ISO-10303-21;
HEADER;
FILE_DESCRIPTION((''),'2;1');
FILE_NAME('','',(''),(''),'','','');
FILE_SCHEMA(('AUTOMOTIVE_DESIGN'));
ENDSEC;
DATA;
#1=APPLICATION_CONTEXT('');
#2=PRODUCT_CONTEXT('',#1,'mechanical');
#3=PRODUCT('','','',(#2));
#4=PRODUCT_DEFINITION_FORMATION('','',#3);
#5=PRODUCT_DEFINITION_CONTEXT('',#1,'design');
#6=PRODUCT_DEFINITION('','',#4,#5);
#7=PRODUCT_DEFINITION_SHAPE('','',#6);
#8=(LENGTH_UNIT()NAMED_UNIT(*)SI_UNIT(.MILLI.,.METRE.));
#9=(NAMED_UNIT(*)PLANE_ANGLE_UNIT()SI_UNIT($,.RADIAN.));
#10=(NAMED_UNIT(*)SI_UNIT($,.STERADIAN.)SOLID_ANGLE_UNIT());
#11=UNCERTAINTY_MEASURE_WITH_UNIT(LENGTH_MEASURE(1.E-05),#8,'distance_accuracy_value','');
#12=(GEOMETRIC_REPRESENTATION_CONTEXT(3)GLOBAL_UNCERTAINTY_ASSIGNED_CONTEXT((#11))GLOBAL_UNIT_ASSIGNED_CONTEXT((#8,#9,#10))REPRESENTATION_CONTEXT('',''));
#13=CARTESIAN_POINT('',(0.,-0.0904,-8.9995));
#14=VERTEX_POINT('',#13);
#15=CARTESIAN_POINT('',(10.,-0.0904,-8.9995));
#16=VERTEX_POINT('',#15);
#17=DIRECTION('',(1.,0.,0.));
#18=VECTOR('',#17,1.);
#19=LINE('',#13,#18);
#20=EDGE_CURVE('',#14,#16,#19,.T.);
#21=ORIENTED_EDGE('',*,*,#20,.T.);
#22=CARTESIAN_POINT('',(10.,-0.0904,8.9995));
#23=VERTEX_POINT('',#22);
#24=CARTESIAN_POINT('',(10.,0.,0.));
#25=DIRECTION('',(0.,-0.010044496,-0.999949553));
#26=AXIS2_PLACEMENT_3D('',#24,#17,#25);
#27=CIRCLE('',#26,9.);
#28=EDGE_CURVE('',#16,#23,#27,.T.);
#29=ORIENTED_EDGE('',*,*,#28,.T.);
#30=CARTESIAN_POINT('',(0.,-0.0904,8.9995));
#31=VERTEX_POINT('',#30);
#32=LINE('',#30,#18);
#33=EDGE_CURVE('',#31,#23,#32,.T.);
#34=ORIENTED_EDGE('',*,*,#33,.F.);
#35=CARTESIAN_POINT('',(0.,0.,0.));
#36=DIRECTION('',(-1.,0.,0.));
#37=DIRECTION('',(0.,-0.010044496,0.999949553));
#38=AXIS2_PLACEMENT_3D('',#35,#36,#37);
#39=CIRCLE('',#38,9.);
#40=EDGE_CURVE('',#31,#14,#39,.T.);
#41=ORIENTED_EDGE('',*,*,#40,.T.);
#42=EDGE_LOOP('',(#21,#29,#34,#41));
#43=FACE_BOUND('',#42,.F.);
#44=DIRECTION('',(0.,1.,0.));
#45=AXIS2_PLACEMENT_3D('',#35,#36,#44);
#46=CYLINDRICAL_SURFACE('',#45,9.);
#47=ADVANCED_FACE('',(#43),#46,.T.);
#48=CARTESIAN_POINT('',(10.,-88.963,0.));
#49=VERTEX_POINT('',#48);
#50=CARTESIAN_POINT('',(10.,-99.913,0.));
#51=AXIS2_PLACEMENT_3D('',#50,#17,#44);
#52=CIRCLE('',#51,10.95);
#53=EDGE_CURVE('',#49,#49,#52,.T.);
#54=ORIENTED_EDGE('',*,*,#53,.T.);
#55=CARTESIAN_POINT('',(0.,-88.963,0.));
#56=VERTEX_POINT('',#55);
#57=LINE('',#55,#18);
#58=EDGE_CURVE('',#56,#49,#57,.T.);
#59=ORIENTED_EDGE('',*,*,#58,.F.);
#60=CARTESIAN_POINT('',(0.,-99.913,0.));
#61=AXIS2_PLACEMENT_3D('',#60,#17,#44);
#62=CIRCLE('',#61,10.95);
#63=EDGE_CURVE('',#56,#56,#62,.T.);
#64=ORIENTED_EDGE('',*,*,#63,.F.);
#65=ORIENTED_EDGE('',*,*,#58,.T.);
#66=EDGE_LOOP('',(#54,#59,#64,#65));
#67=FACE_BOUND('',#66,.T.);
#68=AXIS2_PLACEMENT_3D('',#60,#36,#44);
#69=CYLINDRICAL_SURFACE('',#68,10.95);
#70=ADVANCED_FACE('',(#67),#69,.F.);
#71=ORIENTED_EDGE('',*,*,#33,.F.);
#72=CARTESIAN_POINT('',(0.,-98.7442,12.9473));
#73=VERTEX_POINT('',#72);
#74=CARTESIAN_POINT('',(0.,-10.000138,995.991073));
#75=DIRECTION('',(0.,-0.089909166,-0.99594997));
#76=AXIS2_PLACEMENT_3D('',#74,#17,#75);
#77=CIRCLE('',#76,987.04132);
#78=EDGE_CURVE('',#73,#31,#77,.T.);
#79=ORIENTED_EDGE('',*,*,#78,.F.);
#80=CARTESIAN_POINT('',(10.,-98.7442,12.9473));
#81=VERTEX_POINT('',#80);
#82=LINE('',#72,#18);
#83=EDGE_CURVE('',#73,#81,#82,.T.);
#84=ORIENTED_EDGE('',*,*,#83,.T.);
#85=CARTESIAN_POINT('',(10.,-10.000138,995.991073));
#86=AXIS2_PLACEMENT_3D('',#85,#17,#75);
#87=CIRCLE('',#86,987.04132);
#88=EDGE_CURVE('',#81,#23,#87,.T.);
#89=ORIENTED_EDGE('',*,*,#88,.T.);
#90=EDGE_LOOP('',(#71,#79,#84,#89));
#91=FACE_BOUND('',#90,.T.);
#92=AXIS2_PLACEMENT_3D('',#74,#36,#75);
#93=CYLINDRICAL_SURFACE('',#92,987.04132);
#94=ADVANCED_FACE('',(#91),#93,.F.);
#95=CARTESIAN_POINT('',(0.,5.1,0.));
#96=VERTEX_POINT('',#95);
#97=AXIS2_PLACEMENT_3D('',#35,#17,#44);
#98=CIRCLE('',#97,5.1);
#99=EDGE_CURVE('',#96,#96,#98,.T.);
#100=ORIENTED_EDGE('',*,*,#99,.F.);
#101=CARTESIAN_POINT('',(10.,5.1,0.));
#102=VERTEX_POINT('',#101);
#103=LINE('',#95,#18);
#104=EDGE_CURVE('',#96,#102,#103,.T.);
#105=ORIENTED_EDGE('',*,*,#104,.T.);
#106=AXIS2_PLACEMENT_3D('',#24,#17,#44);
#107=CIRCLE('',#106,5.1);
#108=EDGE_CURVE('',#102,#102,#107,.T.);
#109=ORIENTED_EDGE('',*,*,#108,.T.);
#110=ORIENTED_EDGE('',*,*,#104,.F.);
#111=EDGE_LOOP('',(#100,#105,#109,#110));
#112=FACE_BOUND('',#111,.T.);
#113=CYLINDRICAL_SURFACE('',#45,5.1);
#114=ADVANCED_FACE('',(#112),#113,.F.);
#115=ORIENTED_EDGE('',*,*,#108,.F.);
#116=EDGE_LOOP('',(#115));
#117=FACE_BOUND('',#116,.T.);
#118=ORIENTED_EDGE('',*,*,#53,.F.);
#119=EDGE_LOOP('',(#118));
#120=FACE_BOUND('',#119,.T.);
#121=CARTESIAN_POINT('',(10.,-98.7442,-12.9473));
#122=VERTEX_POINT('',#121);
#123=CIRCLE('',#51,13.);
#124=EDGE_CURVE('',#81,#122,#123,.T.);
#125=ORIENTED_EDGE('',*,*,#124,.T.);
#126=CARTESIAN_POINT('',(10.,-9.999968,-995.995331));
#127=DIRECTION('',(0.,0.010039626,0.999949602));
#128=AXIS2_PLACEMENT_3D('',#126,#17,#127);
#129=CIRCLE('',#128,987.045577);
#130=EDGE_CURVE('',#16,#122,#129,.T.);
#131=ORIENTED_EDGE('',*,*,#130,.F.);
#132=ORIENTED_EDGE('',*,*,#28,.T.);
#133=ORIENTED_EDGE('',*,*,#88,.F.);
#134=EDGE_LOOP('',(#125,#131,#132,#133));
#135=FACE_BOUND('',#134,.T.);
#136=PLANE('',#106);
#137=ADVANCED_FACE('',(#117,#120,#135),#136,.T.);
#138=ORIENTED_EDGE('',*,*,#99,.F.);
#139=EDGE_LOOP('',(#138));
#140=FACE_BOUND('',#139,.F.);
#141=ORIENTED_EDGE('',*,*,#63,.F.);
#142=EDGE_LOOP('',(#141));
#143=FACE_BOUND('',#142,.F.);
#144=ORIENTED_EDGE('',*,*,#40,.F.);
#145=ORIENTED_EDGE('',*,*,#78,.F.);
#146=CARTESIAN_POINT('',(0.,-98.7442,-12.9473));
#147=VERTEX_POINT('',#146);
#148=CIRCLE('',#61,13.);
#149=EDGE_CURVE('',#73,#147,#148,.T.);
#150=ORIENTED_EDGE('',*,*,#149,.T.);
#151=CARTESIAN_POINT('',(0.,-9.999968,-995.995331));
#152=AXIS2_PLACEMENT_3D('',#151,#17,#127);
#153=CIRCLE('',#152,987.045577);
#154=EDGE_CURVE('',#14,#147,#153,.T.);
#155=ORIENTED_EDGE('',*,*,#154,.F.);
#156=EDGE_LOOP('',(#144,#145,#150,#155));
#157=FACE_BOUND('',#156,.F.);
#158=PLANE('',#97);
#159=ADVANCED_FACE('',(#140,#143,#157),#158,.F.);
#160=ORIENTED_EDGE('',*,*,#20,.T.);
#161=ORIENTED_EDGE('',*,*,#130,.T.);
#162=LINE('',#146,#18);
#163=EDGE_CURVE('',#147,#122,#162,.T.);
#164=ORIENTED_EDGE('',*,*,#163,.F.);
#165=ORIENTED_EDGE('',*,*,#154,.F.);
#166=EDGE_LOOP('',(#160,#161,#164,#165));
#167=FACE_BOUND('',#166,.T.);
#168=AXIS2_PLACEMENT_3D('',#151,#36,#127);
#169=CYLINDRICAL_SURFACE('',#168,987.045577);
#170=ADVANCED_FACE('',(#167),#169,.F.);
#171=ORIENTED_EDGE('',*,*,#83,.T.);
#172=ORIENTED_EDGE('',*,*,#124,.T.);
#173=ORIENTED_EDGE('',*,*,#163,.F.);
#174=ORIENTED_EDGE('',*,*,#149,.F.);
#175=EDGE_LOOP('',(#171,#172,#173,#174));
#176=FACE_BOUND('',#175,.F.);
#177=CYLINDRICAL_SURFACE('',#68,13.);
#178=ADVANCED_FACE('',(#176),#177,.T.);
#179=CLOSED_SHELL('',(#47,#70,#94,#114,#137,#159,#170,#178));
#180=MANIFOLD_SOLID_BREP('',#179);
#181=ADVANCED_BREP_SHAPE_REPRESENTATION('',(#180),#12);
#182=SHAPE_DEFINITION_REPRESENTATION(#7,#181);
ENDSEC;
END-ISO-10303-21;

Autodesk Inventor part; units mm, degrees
ref_plane "YZ Plane" through (0, 0, 0) normal (1, 0, 0) x (0, 1, 0)
ref_plane "XZ Plane" through (0, 0, 0) normal (0, 1, 0) x (-1, 0, 0)
sketch "Skizze1" plane through (0, 0, 0) normal (1, 0, 0) x (0, 1, 0)
  circle A0 centre (-99.913, 0) radius 13
  circle A1 centre (-99.913, 0) radius 10.95
  circle A2 centre (0, 0) radius 9
  arc A3 (-98.7442, 12.9473) -> (-0.0904, 8.9995) centre (-10, 995.9932) ccw
  arc A4 (-0.0904, -8.9995) -> (-98.7442, -12.9473) centre (-10, -995.9932) ccw
  circle A5 centre (0, 0) radius 5.1
  dimension "d0" = 26
  dimension "d1" = 99.913
  dimension "d2" = 21.9
  dimension "d3" = 18
  dimension "d6" = 0
  dimension "d7" = 0
  dimension "d8" = 0
  dimension "d9" = 10
  dimension "d10" = 10
  dimension "d11" = 10.2
extrude "Extrusion1" add sketch "Skizze1" along normal blind 10
ref_plane "Arbeitsebene1" through (0, 0, 0) normal (0, 0, 1) x (1, 0, 0)
properties part number "Hebel"
